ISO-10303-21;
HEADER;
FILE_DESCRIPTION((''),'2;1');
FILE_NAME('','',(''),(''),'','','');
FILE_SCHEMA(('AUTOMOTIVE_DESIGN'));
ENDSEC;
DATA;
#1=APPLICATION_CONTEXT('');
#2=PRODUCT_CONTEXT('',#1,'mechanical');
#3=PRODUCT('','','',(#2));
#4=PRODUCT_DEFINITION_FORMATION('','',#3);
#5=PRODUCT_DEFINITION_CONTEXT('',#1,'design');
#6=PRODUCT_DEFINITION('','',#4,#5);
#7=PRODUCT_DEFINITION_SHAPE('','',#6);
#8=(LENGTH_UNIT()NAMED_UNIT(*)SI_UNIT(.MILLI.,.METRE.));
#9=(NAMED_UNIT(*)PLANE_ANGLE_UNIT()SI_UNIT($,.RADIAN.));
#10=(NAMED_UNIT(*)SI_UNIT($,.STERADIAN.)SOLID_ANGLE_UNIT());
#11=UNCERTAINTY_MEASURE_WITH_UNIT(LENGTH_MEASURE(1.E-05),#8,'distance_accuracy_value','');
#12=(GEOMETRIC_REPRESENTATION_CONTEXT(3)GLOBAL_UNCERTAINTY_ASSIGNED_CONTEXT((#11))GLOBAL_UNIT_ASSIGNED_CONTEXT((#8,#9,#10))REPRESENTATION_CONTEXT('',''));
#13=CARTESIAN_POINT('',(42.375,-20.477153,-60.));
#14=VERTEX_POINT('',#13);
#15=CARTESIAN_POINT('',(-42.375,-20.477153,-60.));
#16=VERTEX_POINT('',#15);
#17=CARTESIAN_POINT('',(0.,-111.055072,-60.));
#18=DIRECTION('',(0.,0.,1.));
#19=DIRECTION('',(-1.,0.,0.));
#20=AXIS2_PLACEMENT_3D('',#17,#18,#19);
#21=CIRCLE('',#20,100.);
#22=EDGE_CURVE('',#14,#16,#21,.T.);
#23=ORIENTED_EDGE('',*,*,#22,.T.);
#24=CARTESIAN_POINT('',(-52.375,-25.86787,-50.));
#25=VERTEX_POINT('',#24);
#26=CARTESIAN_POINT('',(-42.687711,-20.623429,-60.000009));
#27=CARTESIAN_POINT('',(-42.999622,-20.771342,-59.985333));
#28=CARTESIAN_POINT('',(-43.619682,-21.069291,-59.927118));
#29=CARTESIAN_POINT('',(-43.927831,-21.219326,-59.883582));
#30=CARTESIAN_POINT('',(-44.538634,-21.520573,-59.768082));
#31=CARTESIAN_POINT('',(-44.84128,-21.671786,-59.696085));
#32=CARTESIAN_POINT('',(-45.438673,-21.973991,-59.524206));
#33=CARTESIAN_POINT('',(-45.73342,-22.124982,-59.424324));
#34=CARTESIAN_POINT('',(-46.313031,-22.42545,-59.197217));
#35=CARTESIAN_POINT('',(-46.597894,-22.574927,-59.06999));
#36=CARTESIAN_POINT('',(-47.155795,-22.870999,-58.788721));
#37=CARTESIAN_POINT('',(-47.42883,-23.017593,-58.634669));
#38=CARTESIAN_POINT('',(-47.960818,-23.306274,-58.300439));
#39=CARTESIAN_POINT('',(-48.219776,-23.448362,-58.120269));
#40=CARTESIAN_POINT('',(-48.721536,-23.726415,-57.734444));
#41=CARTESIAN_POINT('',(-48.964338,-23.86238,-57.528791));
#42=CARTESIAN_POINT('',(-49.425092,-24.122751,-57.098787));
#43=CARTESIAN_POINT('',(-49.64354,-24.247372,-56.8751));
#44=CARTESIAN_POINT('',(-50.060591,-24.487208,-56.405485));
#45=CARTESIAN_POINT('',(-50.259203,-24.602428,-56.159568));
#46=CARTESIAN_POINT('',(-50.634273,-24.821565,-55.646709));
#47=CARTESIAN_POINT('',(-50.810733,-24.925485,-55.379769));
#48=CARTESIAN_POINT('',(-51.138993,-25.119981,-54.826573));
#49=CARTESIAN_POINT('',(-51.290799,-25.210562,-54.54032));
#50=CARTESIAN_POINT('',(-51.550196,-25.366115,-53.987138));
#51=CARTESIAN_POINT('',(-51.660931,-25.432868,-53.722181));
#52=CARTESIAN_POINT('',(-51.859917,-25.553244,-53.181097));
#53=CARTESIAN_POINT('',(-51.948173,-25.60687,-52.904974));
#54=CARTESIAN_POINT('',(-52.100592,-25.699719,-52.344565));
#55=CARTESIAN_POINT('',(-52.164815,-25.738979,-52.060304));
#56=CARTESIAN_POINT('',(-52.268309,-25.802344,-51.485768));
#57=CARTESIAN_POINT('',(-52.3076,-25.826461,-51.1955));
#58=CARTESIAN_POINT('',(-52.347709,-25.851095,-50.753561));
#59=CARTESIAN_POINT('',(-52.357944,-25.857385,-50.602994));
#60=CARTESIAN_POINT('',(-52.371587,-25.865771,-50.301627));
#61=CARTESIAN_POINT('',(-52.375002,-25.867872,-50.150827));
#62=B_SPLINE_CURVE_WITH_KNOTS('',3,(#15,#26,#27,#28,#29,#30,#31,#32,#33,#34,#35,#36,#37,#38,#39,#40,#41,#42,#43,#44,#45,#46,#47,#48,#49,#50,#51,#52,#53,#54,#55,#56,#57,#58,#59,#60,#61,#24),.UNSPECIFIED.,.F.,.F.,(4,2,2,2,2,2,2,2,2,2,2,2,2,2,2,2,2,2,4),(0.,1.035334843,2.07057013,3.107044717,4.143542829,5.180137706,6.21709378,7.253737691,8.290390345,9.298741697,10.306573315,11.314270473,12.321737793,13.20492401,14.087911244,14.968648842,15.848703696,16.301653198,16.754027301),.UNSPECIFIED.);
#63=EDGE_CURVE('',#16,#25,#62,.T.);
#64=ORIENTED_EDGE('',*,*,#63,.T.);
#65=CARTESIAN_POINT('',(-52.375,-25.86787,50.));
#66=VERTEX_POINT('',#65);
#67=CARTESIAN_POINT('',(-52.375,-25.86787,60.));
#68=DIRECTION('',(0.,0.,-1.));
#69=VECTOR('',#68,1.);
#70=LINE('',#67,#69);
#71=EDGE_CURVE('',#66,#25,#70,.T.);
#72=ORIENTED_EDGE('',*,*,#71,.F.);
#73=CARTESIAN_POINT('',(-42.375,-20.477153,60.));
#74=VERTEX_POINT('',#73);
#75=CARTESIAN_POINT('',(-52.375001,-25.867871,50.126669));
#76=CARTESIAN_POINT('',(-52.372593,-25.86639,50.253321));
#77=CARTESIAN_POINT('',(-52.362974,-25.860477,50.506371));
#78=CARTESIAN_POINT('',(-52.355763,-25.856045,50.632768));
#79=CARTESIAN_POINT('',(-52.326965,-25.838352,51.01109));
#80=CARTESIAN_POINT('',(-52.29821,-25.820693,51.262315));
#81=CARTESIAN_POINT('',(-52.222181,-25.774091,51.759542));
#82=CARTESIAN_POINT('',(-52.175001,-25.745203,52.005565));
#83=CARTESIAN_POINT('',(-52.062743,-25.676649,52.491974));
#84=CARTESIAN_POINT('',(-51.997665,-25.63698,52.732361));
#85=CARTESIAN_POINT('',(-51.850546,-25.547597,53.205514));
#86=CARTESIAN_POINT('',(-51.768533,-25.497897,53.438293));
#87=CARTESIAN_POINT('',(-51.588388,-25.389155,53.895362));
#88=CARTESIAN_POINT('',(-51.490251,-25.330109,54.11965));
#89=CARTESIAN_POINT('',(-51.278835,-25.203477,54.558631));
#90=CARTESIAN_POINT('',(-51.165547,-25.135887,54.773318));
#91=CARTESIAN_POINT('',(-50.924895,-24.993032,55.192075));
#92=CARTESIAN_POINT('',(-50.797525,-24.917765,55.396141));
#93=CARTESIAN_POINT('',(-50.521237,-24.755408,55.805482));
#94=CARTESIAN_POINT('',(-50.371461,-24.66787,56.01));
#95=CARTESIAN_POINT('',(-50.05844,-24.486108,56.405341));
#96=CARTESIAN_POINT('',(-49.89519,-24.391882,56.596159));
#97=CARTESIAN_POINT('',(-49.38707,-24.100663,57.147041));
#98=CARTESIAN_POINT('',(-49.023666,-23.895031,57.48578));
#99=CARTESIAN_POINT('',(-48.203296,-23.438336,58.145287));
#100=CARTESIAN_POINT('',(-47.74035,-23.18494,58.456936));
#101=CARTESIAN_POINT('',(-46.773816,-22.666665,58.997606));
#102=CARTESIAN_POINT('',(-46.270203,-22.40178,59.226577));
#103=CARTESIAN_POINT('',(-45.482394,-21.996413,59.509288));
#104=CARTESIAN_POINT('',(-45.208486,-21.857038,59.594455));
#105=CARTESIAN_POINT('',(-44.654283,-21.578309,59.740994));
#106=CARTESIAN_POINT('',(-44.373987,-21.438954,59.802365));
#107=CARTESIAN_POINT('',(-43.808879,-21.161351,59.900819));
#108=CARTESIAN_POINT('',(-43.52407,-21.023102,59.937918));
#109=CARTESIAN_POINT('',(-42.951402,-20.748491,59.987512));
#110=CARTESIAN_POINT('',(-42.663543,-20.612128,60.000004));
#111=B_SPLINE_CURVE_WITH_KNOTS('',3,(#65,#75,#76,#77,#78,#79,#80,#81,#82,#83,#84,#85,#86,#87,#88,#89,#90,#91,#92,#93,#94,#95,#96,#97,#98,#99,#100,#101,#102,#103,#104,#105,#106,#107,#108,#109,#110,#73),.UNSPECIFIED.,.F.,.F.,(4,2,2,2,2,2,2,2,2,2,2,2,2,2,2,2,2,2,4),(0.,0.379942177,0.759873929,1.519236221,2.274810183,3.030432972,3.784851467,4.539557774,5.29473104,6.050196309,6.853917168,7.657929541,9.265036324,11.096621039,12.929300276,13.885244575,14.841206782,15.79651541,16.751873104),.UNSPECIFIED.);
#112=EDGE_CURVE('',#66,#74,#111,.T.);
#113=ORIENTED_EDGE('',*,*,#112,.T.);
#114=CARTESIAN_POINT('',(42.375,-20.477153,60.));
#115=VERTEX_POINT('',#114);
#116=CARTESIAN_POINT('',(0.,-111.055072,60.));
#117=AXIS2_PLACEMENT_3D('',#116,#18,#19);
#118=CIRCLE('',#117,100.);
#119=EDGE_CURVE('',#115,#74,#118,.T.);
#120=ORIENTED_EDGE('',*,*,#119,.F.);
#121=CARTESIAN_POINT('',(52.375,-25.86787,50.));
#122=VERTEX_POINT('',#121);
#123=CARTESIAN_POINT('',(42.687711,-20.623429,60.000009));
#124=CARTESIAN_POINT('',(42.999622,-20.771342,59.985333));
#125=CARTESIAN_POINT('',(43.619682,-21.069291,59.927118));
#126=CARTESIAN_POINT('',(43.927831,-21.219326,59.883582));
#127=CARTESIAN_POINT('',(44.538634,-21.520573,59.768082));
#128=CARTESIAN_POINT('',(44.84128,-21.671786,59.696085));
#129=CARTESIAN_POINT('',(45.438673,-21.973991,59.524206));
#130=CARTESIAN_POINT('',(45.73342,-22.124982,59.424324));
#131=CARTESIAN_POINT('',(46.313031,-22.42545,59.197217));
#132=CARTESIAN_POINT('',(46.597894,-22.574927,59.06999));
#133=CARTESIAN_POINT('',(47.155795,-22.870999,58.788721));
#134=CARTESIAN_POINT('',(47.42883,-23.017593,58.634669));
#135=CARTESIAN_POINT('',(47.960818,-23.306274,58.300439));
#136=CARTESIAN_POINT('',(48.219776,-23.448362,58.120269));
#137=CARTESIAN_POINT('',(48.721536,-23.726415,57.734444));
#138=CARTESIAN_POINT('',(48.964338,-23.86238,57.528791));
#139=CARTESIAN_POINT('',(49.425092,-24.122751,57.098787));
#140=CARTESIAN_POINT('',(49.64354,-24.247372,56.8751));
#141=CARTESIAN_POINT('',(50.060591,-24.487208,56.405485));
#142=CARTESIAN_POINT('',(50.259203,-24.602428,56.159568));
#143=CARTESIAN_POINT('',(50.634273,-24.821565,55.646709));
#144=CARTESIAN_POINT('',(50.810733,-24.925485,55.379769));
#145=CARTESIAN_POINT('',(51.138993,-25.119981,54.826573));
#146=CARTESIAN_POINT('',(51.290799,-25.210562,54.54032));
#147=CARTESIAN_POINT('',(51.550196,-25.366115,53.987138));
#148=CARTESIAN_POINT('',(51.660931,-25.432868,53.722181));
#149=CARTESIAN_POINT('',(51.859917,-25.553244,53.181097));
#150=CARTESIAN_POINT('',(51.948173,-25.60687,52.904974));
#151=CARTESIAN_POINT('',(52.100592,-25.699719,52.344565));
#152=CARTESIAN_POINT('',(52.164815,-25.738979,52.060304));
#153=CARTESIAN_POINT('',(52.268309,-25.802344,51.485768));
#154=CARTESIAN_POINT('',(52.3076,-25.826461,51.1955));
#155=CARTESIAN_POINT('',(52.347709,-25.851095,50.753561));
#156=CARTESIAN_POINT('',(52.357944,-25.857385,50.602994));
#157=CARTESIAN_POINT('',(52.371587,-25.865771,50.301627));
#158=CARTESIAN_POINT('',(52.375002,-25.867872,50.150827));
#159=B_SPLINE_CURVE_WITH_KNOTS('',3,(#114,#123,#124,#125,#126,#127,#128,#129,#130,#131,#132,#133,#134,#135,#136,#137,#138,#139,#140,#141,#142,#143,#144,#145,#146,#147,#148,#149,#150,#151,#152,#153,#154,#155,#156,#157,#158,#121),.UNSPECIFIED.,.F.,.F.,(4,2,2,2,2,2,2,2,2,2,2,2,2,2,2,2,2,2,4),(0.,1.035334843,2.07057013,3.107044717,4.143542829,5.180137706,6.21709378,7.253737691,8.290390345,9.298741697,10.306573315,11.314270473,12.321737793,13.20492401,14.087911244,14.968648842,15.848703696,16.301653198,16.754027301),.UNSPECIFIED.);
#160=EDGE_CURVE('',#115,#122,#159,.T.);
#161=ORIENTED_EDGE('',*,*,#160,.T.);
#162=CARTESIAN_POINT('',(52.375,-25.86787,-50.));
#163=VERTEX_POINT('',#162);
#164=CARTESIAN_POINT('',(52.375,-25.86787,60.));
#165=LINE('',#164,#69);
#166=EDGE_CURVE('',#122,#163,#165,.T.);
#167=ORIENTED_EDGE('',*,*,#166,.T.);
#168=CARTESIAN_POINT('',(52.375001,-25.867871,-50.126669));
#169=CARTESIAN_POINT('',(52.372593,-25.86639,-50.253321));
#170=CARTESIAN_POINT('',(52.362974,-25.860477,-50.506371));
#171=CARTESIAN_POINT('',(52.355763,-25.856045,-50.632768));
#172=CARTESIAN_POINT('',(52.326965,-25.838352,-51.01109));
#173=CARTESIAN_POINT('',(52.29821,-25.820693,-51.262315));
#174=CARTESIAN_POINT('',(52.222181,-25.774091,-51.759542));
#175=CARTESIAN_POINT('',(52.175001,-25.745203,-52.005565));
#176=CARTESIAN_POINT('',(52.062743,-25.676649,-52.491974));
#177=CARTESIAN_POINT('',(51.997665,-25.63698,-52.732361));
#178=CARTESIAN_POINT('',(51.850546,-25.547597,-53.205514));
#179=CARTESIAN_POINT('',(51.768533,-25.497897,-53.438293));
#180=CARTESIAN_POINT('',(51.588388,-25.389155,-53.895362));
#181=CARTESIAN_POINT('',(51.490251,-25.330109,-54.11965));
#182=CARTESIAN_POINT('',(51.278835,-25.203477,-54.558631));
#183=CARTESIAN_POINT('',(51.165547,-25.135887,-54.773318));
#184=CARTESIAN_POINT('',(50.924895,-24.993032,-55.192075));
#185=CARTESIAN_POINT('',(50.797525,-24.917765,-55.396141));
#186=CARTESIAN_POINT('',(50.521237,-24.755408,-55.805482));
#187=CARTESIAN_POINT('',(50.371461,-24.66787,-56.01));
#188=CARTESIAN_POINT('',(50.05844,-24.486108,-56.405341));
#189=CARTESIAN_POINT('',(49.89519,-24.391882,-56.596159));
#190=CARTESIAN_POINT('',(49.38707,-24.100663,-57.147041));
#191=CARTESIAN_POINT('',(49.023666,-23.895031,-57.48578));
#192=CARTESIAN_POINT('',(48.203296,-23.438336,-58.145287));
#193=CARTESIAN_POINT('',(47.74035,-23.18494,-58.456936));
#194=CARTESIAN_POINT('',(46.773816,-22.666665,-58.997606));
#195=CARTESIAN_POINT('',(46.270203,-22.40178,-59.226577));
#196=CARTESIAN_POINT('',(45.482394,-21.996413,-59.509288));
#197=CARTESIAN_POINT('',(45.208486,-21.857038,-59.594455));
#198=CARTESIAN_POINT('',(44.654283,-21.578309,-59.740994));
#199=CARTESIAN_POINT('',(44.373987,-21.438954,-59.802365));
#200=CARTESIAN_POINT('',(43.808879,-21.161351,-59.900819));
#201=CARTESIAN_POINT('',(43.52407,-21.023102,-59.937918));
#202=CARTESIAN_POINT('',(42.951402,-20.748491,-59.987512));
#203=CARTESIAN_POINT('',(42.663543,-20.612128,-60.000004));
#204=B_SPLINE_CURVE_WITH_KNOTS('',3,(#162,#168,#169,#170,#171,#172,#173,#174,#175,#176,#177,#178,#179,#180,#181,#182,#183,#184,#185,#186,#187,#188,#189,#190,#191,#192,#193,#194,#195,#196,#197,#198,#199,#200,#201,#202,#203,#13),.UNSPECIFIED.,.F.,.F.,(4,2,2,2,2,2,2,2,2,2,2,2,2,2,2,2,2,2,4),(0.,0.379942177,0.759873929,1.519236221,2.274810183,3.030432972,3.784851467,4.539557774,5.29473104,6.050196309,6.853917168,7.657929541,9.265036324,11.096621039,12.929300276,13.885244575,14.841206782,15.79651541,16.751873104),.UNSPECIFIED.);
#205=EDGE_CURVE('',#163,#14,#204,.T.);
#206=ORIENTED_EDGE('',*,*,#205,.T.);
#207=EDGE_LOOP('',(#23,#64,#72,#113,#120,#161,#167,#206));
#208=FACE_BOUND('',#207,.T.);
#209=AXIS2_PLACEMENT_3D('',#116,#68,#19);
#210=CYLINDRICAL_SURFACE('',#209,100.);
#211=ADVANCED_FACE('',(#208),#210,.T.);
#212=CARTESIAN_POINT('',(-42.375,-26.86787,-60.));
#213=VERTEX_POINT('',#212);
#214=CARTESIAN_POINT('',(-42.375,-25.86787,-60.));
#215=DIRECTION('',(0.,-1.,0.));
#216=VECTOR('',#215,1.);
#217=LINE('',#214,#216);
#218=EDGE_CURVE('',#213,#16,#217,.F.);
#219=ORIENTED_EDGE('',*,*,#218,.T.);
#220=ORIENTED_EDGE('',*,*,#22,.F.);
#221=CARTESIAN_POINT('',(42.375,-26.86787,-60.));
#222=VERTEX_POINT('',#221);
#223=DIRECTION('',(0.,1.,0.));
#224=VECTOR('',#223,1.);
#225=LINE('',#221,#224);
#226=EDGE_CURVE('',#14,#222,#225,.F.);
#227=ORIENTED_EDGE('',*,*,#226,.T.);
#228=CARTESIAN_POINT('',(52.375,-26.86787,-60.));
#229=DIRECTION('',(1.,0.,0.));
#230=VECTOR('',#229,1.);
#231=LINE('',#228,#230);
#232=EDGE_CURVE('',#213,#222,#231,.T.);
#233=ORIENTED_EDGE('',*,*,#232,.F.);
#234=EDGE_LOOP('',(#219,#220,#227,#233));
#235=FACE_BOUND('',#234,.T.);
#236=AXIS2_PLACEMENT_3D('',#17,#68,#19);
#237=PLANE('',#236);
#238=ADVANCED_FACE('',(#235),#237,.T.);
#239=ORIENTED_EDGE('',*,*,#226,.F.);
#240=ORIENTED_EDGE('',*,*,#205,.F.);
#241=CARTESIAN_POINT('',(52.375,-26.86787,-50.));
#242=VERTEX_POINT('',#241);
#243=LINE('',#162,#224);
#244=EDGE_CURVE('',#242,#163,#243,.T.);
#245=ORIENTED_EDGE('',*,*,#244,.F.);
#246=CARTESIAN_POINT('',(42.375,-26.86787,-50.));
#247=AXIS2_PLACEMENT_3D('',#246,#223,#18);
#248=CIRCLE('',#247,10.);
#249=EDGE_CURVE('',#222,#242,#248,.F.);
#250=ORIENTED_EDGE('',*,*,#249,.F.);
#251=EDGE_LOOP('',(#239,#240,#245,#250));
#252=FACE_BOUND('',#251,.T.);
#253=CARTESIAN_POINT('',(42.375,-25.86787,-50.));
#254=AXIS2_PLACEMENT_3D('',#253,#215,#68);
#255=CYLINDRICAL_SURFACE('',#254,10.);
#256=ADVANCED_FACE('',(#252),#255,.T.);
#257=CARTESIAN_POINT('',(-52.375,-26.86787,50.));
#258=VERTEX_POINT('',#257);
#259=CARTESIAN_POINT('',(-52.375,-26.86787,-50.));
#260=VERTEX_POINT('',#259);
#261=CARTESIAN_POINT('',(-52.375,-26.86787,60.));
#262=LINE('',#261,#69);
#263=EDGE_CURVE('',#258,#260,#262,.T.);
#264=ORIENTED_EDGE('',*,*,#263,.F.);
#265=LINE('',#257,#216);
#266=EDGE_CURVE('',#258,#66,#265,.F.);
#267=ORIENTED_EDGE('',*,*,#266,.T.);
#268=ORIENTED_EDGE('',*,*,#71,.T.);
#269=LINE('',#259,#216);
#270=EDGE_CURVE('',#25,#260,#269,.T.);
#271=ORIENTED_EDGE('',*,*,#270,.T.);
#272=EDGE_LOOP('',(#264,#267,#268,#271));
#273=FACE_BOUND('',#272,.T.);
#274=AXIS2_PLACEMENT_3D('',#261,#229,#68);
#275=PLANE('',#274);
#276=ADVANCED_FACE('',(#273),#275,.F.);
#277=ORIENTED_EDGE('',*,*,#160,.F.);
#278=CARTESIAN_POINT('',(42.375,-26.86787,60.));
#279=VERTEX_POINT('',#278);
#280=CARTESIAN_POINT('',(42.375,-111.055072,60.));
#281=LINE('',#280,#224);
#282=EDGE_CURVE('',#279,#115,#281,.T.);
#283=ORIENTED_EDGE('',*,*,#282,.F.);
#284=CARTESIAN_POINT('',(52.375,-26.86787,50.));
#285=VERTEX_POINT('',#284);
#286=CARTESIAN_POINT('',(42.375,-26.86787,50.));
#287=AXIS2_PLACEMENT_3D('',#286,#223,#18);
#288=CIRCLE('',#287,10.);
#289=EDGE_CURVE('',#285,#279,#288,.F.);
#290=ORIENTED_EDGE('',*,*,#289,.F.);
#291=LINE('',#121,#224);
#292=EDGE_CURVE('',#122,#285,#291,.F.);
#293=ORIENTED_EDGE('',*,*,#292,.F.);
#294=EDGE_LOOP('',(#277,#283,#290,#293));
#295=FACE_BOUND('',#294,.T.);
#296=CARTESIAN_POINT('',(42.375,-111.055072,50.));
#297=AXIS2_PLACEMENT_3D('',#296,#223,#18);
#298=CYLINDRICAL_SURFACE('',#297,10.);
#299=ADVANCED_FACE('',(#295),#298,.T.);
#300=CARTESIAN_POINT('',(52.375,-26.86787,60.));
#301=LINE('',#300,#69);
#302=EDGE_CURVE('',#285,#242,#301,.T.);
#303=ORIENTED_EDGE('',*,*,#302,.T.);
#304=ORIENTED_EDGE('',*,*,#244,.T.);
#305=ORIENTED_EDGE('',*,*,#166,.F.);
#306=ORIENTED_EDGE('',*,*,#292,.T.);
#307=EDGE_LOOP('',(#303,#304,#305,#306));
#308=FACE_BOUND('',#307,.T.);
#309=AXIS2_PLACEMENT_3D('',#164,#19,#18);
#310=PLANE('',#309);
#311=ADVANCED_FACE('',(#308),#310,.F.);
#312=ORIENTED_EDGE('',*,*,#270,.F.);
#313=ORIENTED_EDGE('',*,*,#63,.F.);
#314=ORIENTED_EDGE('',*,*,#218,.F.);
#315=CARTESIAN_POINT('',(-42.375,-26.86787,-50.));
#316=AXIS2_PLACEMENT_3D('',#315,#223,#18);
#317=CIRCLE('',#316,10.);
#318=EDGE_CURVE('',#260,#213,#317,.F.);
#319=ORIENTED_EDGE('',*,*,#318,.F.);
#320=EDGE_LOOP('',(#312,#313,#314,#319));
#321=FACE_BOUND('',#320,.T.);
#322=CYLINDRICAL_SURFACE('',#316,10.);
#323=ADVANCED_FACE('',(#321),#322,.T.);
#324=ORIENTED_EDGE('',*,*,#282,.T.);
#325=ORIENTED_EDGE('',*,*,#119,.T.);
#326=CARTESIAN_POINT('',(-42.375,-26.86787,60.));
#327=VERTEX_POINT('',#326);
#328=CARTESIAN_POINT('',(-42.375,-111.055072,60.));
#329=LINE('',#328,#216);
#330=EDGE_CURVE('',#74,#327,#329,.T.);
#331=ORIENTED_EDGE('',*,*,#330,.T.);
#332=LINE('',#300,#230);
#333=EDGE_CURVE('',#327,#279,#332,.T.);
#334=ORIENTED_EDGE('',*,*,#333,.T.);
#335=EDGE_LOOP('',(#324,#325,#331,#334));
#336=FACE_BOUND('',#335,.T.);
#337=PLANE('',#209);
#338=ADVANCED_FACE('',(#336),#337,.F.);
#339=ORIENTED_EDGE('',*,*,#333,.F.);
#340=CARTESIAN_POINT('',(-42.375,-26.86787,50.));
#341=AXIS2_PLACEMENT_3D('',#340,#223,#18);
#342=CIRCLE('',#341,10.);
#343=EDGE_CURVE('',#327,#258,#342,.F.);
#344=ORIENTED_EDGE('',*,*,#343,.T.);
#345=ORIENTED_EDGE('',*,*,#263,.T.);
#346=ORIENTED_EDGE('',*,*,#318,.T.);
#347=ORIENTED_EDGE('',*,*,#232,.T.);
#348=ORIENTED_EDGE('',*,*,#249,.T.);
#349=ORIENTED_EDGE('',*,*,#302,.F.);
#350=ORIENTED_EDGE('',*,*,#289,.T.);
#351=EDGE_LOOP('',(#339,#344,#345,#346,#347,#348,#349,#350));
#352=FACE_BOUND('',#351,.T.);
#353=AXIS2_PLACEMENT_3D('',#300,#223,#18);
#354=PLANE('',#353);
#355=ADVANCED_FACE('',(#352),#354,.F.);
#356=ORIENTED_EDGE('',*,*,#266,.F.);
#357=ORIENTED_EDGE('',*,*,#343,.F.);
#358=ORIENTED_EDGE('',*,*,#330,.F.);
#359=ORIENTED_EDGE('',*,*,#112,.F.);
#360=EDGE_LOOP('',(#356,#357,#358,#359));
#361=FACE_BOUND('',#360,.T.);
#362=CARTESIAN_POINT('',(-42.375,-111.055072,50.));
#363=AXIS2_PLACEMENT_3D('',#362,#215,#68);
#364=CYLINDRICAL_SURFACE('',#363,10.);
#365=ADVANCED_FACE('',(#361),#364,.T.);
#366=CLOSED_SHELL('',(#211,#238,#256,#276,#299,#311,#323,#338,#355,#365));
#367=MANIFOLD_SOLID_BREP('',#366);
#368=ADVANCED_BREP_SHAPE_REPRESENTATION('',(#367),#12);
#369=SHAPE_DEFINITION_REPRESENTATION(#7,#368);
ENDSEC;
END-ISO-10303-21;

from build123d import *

# Parameters (mm, degrees)
BOSS_EXTRUDE1_DEPTH = 60
FILLET1_R           = 10


with BuildPart() as part:
    # Sketch1 → Boss-Extrude1 (new, symmetric)
    with BuildSketch(Plane.XY):
        with BuildLine():
            Line((52.375, -25.867869753), (52.375, -26.867869753))
            Line((52.375, -26.867869753), (-52.375, -26.867869753))
            Line((-52.375, -26.867869753), (-52.375, -25.867869753))
            ThreePointArc((-52.375, -25.867869753), (0, -11.055071697), (52.375, -25.867869753))
        make_face()
    extrude(amount=BOSS_EXTRUDE1_DEPTH, both=True)

    # Fillet1
    fillet1_edges = [part.edges().sort_by_distance(p)[0] for p in [
        (52.375, -26.367869753, 60),
        (52.375, -26.367869753, -60),
        (-52.375, -26.367869753, -60),
        (-52.375, -26.367869753, 60),
    ]]
    fillet(fillet1_edges, radius=FILLET1_R)


solid = part.part
